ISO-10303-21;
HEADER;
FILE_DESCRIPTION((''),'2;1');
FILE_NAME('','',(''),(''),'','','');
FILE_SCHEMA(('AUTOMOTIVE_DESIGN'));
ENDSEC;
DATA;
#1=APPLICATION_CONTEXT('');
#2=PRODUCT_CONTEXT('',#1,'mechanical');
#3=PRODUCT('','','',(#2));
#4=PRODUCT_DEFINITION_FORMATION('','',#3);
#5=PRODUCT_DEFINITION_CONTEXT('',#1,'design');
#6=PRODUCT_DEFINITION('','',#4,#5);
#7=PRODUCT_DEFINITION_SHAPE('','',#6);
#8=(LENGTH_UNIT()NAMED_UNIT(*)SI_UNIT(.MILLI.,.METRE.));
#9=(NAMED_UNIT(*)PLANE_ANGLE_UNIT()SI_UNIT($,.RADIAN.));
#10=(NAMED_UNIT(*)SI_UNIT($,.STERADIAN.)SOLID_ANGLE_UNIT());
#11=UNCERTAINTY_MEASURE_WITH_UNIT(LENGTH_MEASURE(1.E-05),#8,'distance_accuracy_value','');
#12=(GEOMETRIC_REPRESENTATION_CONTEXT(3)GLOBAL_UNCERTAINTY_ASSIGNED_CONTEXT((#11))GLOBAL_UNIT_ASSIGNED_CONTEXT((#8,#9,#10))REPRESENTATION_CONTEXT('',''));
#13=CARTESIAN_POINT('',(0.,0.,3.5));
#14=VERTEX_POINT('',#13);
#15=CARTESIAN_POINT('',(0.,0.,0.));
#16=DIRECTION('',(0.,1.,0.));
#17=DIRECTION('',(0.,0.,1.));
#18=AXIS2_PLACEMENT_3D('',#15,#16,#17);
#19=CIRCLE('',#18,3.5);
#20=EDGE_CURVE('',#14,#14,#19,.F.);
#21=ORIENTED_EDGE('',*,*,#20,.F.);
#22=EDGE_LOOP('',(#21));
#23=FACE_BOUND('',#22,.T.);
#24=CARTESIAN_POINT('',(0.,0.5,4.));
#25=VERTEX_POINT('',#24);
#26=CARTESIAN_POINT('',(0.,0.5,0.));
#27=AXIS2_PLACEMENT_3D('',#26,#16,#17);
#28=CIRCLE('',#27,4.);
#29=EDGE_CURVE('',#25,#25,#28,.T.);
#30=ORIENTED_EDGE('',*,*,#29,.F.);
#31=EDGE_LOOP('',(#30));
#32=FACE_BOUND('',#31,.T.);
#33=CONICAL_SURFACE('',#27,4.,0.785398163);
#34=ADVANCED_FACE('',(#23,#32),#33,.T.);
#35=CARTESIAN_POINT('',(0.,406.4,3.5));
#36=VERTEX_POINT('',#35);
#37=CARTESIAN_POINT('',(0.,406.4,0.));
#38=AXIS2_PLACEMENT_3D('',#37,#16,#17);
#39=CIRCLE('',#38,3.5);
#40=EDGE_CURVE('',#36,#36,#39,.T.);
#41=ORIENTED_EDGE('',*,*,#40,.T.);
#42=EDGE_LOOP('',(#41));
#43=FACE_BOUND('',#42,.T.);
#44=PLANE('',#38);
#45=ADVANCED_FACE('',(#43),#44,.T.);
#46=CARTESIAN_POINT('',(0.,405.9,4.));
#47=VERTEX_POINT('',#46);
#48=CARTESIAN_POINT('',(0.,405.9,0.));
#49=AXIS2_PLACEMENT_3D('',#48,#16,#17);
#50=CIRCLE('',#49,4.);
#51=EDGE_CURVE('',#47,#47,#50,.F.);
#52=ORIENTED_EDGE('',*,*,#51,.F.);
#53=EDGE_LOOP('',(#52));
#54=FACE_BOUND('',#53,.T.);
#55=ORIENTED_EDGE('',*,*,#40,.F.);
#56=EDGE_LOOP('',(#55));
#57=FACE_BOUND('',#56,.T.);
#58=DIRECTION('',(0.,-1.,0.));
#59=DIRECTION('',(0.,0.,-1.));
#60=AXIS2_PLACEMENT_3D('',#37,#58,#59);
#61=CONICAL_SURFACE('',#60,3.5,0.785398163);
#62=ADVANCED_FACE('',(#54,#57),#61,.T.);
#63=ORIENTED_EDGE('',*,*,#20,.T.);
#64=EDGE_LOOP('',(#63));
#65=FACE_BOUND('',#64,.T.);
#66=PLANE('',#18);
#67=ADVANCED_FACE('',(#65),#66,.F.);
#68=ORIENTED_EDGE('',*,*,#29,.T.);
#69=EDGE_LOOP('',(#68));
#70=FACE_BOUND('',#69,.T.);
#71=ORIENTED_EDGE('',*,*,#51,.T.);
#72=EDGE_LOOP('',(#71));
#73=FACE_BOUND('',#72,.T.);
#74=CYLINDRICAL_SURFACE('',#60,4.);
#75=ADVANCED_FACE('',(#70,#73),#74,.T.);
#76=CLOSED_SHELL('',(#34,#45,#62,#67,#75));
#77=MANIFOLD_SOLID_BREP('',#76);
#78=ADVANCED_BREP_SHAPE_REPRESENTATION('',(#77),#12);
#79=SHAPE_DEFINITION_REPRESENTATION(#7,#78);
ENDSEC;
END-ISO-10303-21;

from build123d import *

# Parameters (mm, degrees)
SKETCH1_R           = 4
BOSS_EXTRUDE1_DEPTH = 406.4
CHAMFER1_SIZE       = 0.5


with BuildPart() as part:
    # Sketch1 → Boss-Extrude1 (new body)
    with BuildSketch(Plane(origin=(0, 0, 0), x_dir=(1, 0, 0), z_dir=(0, 1, 0))):
        Circle(SKETCH1_R)
    extrude(amount=BOSS_EXTRUDE1_DEPTH)

    # Chamfer1
    chamfer1_edges = [part.edges().sort_by_distance(p)[0] for p in [
        (-4, 0, 0),
        (-4, 406.4, 0),
    ]]
    chamfer(chamfer1_edges, length=CHAMFER1_SIZE)


solid = part.part
